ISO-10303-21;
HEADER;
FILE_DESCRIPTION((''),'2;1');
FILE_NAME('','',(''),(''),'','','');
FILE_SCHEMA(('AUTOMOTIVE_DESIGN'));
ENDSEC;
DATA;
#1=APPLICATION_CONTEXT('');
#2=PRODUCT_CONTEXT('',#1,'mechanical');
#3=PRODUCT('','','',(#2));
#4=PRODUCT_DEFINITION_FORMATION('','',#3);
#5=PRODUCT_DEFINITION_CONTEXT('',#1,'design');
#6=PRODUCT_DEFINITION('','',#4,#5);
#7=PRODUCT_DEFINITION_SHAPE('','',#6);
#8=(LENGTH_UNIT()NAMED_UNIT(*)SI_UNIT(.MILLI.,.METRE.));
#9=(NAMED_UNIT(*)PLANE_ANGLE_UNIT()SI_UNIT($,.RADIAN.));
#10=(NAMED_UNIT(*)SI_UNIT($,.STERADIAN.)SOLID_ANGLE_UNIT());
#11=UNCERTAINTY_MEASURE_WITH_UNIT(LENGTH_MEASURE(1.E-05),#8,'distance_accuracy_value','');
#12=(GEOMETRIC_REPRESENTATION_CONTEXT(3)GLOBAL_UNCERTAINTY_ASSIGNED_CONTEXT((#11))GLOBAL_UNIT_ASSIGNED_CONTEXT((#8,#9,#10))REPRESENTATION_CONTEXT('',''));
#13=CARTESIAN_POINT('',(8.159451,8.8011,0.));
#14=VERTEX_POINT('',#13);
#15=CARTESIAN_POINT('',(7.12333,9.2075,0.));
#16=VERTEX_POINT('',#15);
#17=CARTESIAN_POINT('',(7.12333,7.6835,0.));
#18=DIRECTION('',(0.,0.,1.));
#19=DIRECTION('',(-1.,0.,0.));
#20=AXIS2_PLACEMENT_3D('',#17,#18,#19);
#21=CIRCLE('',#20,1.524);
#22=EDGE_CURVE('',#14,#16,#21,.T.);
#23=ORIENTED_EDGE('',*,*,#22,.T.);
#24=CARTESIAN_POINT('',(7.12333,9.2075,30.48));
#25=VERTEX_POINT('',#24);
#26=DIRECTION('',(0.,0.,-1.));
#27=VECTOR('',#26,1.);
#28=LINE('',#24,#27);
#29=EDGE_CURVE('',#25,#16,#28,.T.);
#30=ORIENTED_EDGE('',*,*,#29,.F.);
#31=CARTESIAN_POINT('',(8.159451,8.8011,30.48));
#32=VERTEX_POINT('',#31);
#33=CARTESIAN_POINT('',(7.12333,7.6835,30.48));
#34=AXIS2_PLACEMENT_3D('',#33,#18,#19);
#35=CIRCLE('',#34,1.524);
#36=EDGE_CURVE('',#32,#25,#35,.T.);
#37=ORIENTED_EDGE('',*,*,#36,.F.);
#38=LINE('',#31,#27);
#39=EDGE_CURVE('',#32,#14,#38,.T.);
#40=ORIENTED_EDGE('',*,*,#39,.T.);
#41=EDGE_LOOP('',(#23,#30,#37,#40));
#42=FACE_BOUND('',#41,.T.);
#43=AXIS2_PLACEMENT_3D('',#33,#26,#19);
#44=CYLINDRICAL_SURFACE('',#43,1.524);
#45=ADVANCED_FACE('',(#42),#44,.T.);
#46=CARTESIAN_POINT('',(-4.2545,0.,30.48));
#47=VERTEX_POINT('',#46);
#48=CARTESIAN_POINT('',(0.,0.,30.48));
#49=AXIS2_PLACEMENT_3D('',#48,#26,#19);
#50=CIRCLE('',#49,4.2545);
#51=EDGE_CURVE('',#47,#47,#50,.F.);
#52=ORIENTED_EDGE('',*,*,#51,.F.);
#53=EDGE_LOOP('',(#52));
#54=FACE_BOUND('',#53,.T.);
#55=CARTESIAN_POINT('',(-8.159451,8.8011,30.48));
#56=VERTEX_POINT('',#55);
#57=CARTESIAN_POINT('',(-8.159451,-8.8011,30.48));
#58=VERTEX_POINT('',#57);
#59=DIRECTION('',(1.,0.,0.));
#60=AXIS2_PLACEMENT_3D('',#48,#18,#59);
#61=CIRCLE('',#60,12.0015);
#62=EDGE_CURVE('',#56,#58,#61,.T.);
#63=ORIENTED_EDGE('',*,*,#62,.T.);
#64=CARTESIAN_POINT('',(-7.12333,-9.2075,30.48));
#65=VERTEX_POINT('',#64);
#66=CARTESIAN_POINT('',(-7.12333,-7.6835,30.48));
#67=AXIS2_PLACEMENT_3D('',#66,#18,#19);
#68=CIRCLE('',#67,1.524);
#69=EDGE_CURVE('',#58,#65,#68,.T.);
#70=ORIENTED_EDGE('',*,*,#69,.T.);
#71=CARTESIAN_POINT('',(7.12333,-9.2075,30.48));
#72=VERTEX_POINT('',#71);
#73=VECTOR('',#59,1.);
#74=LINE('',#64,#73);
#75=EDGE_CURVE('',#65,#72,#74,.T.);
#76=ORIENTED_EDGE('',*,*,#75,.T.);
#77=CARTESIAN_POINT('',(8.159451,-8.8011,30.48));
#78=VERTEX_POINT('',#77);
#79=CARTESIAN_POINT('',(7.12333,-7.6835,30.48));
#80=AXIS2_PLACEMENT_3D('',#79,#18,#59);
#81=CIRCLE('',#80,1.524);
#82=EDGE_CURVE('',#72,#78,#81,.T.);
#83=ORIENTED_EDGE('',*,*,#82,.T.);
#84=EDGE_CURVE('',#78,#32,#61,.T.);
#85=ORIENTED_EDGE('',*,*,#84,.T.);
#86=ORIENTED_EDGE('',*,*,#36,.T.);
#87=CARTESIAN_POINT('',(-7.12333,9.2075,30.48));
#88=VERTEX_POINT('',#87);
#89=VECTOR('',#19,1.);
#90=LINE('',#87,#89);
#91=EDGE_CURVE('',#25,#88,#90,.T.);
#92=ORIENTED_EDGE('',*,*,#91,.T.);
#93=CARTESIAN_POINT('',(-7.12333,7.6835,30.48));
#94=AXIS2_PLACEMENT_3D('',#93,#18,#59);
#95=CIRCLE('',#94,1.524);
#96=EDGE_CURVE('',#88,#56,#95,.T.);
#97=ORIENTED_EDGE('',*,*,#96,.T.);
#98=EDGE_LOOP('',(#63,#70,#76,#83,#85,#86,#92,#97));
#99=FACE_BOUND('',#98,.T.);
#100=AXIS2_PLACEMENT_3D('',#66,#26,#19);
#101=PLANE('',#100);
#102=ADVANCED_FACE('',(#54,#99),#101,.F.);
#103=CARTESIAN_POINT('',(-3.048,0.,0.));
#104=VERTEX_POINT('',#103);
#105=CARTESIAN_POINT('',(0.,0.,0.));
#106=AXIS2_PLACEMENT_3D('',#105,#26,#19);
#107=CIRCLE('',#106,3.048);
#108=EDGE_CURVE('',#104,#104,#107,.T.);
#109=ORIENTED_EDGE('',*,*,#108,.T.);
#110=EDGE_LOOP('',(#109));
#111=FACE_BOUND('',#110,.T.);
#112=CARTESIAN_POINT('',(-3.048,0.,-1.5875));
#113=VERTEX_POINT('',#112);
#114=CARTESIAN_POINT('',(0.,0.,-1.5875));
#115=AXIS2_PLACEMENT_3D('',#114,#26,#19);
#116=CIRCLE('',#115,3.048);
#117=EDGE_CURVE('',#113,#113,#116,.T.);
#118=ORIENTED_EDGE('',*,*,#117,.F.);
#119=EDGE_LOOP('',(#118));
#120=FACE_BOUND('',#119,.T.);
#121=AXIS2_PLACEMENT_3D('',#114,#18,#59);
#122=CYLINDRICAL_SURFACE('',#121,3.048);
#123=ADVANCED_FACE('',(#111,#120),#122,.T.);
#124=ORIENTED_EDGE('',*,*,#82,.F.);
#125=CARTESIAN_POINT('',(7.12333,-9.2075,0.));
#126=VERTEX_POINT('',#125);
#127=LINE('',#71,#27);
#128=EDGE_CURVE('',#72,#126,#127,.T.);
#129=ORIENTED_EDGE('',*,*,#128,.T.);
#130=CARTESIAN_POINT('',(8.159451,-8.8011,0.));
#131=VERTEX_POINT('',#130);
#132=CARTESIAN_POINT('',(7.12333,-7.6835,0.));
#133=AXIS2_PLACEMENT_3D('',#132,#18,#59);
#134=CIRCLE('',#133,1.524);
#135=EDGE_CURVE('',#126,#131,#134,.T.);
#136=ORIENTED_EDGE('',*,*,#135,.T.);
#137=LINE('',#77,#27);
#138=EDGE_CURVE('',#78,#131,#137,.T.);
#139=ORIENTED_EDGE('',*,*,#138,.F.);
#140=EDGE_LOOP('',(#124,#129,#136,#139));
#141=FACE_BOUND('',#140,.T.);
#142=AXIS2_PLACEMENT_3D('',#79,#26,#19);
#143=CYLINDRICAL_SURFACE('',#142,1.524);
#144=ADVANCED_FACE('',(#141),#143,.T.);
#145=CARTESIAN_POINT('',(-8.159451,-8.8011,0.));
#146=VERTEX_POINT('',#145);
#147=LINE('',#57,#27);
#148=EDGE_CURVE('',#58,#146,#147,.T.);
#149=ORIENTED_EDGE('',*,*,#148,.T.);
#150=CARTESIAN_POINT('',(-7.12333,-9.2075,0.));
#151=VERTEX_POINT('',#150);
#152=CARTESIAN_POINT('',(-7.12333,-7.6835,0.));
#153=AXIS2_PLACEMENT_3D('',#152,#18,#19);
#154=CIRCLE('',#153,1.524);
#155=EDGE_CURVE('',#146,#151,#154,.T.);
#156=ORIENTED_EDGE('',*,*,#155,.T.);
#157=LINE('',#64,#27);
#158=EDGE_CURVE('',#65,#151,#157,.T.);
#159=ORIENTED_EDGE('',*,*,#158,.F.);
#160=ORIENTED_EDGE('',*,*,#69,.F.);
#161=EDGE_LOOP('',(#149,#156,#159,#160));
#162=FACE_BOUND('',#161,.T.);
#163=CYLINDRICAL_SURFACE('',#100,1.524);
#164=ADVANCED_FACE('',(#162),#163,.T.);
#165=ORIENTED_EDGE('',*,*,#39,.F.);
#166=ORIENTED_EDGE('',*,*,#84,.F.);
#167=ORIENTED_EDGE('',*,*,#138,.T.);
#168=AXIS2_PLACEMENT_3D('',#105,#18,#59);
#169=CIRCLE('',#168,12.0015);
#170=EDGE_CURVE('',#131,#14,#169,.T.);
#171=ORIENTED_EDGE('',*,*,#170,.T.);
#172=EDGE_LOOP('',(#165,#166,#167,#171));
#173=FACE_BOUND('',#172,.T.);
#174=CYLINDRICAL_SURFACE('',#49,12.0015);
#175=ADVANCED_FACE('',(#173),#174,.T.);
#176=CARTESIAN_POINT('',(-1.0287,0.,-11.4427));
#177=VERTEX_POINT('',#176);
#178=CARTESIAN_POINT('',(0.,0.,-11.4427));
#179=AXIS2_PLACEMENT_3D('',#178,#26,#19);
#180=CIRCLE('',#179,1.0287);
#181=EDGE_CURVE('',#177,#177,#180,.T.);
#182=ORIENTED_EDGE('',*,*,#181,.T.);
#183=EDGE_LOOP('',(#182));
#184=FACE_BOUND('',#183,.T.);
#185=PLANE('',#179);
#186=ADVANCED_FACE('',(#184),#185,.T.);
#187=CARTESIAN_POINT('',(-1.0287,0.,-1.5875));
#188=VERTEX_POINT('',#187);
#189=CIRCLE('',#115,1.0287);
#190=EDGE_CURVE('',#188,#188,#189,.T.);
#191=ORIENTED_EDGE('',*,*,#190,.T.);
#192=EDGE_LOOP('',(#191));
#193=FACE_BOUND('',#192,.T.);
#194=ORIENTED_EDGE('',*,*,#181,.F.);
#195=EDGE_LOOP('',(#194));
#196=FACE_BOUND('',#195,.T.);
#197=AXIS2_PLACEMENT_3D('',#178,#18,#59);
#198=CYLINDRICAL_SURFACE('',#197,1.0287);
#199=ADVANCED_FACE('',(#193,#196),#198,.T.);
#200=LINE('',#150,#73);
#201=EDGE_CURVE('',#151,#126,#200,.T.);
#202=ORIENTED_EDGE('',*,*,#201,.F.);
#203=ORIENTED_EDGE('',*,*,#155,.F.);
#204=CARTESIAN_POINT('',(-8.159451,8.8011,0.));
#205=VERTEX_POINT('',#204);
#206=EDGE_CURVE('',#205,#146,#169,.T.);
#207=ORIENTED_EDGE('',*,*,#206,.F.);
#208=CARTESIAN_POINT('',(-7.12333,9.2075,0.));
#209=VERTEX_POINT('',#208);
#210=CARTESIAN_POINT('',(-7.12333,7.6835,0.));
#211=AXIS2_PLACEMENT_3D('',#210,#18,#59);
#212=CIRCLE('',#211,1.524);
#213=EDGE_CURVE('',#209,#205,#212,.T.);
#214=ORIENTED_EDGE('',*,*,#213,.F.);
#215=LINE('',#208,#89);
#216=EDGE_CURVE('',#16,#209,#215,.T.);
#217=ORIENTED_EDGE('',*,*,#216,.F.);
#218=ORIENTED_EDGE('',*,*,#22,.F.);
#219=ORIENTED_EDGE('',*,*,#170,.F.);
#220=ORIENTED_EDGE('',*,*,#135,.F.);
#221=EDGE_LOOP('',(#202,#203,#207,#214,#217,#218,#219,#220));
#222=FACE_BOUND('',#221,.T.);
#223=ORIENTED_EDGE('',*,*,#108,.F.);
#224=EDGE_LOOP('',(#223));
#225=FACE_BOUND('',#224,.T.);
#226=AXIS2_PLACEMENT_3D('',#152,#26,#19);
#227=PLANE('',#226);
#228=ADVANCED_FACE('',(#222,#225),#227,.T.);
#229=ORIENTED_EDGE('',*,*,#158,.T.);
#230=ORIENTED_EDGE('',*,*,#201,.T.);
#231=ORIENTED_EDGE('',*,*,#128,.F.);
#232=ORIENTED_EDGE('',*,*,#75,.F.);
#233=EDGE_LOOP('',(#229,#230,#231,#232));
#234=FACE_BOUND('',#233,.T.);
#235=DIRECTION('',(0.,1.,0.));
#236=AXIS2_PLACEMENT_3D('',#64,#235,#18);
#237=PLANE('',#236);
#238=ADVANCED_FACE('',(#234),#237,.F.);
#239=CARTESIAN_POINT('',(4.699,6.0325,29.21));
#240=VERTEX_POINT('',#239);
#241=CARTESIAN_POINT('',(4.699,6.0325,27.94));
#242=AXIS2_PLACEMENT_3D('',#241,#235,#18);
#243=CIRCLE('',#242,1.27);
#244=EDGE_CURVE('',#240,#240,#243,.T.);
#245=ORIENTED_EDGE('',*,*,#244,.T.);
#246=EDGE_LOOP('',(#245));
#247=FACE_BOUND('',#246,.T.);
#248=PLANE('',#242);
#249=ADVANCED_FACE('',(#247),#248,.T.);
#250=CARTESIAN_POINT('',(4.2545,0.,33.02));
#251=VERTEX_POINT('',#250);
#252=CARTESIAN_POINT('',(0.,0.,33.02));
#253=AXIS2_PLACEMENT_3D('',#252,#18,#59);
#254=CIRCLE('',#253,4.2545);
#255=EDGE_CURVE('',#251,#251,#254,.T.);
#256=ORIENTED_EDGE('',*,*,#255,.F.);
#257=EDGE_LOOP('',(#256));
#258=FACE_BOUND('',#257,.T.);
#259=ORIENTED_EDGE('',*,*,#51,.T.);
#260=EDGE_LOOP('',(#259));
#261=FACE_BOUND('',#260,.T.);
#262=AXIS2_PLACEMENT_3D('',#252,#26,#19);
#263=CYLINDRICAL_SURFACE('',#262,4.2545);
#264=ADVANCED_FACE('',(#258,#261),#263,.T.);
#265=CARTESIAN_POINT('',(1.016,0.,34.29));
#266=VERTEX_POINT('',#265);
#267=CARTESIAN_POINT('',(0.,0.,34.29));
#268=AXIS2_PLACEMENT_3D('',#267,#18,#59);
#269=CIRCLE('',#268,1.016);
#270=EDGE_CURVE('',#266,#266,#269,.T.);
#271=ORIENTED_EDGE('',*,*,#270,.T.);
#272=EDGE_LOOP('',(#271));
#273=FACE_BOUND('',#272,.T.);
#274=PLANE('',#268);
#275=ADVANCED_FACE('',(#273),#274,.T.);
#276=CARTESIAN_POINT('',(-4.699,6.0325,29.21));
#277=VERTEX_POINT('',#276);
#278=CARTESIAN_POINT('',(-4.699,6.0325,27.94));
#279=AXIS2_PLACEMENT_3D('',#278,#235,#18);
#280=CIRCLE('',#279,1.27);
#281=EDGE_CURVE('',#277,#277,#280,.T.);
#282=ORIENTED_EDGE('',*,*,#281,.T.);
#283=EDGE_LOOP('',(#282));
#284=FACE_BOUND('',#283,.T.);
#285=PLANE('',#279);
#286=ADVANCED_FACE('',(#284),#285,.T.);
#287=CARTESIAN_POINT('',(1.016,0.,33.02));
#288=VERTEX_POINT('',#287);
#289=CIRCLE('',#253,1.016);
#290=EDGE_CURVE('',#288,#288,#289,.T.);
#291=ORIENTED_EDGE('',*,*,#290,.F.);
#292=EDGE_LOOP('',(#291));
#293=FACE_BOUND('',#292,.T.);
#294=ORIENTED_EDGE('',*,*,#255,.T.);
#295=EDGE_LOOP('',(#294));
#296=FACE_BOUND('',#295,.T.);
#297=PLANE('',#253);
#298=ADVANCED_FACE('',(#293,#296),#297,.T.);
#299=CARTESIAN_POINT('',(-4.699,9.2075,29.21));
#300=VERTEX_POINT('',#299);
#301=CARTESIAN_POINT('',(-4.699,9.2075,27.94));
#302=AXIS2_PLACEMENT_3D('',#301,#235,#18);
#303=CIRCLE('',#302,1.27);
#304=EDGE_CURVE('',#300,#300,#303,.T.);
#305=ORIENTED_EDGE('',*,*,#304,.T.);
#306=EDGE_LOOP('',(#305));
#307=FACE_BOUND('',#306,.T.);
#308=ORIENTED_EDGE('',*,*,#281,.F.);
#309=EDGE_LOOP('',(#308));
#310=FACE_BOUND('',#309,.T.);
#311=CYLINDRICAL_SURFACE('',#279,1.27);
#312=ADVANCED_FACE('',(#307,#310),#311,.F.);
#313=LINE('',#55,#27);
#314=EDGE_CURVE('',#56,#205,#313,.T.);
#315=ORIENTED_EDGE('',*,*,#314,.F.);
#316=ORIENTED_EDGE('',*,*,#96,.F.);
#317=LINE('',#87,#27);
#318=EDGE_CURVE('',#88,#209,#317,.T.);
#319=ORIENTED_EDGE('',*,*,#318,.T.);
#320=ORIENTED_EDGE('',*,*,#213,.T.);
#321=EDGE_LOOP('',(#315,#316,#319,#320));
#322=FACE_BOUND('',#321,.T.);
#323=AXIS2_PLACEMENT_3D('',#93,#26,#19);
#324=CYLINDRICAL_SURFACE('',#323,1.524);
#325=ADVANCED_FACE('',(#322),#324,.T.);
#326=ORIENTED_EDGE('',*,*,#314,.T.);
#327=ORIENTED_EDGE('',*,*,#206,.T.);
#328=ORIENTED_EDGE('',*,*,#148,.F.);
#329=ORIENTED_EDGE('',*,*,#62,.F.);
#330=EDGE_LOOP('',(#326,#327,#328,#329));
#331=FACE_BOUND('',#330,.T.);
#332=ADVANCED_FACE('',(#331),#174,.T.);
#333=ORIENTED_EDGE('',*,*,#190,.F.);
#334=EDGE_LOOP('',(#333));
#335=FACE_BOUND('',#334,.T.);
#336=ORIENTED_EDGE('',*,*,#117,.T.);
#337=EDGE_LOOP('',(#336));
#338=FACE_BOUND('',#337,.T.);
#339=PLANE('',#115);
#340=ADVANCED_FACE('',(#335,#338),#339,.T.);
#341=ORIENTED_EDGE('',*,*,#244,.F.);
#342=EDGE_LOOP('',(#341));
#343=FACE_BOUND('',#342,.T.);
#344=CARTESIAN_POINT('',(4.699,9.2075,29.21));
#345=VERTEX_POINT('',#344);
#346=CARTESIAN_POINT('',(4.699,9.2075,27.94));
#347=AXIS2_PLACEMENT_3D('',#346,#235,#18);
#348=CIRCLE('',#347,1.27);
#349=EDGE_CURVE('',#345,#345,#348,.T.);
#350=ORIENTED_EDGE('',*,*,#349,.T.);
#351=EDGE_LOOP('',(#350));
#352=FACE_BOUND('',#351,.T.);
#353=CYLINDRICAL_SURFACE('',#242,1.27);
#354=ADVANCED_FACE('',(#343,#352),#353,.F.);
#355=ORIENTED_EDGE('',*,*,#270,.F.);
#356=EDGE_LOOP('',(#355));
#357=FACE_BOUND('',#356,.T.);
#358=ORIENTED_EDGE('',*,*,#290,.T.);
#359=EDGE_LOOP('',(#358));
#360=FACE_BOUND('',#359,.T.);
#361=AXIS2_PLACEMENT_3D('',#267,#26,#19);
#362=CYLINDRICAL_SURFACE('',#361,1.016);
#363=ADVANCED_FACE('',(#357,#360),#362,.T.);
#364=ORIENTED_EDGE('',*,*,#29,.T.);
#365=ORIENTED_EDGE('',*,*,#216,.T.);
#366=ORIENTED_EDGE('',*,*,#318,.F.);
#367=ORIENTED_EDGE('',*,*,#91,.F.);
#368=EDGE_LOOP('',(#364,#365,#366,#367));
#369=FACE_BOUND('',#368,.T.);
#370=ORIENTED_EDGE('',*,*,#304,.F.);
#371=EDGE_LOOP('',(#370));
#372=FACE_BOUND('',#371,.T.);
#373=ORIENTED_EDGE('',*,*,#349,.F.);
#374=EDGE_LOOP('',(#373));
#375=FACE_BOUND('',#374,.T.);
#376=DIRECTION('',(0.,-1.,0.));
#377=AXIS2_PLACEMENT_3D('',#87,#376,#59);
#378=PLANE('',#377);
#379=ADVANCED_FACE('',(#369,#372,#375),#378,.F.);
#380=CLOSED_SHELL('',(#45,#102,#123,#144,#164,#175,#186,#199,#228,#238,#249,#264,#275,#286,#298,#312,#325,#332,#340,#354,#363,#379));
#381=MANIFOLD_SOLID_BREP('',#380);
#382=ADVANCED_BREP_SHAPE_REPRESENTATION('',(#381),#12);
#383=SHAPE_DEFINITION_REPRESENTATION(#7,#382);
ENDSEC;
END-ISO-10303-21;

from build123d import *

# Parameters (mm, degrees)
BOSS_EXTRUDE1_DEPTH = 30.48
SKETCH2_R           = 4.2545
BOSS_EXTRUDE2_DEPTH = 2.54
SKETCH3_R           = 1.016
BOSS_EXTRUDE3_DEPTH = 1.27
SKETCH4_R           = 3.048
BOSS_EXTRUDE4_DEPTH = 1.5875
SKETCH5_R           = 1.0287
BOSS_EXTRUDE5_DEPTH = 9.8552
SKETCH6_R           = 1.27
CUT_EXTRUDE1_DEPTH  = 3.175


with BuildPart() as part:
    # Sketch1 → Boss-Extrude1 (new body)
    with BuildSketch(Plane.XY):
        with BuildLine():
            Line((-7.12333026, -9.2075), (7.12333026, -9.2075))
            ThreePointArc((7.12333026, -9.2075), (7.679816379, -9.102266788), (8.159451026, -8.8011))
            ThreePointArc((8.159451026, -8.8011), (12.0015, 0), (8.159451026, 8.8011))
            ThreePointArc((8.159451026, 8.8011), (7.679816379, 9.102266788), (7.12333026, 9.2075))
            Line((7.12333026, 9.2075), (-7.12333026, 9.2075))
            ThreePointArc((-7.12333026, 9.2075), (-7.679816379, 9.102266788), (-8.159451026, 8.8011))
            ThreePointArc((-8.159451026, 8.8011), (-12.0015, 0), (-8.159451026, -8.8011))
            ThreePointArc((-8.159451026, -8.8011), (-7.679816379, -9.102266788), (-7.12333026, -9.2075))
        make_face()
    extrude(amount=BOSS_EXTRUDE1_DEPTH)

    # Sketch2 → Boss-Extrude2 (add)
    with BuildSketch(Plane.XY.offset(30.48)):
        with Locations(Location((0, 0, 0), (0, 0, 180))):  # turned: the seam where the file's is
            Circle(SKETCH2_R)
    extrude(amount=BOSS_EXTRUDE2_DEPTH)

    # Sketch3 → Boss-Extrude3 (add)
    with BuildSketch(Plane.XY.offset(33.02)):
        Circle(SKETCH3_R)
    extrude(amount=BOSS_EXTRUDE3_DEPTH)

    # Sketch4 → Boss-Extrude4 (add)
    with BuildSketch(Plane(origin=(0, 0, 0), x_dir=(-1, 0, 0), z_dir=(0, 0, -1))):
        Circle(SKETCH4_R)
    extrude(amount=BOSS_EXTRUDE4_DEPTH)

    # Sketch5 → Boss-Extrude5 (add)
    with BuildSketch(Plane(origin=(0, 0, -1.5875), x_dir=(-1, 0, 0), z_dir=(0, 0, -1))):
        Circle(SKETCH5_R)
    extrude(amount=BOSS_EXTRUDE5_DEPTH)

    # Sketch6 → Cut-Extrude1 (cut)
    with BuildSketch(Plane(origin=(0, 9.2075, 0), x_dir=(1, 0, 0), z_dir=(0, 1, 0))):
        with Locations(Location((4.699, -27.94, 0), (0, 0, 270))):  # turned: the seam where the file's is
            Circle(SKETCH6_R)
        with Locations(Location((-4.699, -27.94, 0), (0, 0, 270))):  # turned: the seam where the file's is
            Circle(SKETCH6_R)
    extrude(amount=-CUT_EXTRUDE1_DEPTH, mode=Mode.SUBTRACT)


solid = part.part
